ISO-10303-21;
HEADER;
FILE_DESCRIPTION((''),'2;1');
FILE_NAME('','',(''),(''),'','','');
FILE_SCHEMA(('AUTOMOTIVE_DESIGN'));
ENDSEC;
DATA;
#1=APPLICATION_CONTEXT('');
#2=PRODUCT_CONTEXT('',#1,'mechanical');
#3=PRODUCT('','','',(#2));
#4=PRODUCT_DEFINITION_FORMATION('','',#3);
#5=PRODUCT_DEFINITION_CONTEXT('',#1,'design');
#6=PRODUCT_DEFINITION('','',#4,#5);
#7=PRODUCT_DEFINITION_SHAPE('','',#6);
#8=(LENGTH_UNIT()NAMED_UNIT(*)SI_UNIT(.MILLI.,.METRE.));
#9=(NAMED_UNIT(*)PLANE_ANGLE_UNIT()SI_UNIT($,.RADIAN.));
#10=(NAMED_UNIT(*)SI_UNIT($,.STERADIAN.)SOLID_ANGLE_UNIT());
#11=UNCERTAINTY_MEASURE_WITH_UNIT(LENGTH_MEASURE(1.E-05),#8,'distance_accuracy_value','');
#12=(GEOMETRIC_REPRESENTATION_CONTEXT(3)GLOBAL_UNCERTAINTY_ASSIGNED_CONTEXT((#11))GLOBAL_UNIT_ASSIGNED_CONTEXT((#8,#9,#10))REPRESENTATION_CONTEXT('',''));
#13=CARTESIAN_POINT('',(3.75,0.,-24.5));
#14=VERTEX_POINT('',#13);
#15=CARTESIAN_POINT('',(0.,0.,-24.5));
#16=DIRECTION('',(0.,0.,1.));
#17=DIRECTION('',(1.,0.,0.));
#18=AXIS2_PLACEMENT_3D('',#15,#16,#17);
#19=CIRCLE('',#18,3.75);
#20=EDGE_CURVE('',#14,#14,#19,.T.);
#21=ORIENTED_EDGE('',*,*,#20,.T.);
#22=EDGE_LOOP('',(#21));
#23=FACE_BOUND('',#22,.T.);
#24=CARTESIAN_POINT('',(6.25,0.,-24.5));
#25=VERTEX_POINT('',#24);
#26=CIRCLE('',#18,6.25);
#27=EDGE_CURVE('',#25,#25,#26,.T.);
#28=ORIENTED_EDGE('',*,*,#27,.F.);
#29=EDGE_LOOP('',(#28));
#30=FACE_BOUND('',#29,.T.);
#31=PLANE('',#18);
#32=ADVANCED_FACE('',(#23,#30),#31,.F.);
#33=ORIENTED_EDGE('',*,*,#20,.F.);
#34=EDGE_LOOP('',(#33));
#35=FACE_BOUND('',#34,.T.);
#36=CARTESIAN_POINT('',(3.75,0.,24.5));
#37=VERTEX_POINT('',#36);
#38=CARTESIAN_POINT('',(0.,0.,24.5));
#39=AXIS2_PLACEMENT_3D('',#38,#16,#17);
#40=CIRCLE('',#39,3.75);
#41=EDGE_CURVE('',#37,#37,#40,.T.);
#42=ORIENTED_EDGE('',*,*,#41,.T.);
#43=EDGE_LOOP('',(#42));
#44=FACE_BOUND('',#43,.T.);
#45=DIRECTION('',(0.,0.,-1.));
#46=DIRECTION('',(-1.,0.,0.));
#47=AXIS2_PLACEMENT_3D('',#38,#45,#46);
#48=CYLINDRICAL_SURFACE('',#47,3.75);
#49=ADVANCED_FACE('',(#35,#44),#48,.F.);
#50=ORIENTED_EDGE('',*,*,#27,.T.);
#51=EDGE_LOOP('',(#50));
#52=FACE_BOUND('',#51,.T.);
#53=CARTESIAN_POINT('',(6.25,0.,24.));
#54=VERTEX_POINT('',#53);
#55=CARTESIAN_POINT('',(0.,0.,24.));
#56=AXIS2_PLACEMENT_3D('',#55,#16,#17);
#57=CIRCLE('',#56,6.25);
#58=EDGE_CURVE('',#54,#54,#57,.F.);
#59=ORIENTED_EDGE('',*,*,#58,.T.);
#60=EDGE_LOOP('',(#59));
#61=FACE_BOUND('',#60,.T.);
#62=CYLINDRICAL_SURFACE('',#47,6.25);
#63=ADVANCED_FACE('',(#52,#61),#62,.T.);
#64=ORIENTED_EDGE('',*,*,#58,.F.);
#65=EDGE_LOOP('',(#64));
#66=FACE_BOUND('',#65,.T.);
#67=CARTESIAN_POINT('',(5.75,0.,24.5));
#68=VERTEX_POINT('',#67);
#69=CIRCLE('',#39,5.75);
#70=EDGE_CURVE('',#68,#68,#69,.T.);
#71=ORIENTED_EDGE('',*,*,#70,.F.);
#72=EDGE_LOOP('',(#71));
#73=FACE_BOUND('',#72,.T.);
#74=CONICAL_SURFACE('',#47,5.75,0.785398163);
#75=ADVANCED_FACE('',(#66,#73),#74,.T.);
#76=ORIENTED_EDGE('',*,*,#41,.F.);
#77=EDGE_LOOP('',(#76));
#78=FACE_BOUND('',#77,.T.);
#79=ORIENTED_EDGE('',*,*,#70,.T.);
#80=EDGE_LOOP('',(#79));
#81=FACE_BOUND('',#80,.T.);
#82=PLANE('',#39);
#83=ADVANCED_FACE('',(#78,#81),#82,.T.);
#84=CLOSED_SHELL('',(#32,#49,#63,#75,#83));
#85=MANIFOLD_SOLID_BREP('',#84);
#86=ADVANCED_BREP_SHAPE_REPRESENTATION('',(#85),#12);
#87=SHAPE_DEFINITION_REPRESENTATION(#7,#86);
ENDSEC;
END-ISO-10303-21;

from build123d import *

# Parameters (mm, degrees)
SKETCH1_R           = 6.25
SKETCH1_R_2         = 3.75
EXTRUDE_THIN1_DEPTH = 24.5
CHAMFER1_SIZE       = 0.5


with BuildPart() as part:
    # Sketch1 → Extrude-Thin1 (new body, symmetric)
    with BuildSketch(Plane.XY):
        Circle(SKETCH1_R)
        Circle(SKETCH1_R_2, mode=Mode.SUBTRACT)
    extrude(amount=EXTRUDE_THIN1_DEPTH, both=True)

    # Chamfer1
    chamfer1_edges = [part.edges().sort_by_distance(p)[0] for p in [
        (-6.25, 0, 24.5),
    ]]
    chamfer(chamfer1_edges, length=CHAMFER1_SIZE)


solid = part.part
